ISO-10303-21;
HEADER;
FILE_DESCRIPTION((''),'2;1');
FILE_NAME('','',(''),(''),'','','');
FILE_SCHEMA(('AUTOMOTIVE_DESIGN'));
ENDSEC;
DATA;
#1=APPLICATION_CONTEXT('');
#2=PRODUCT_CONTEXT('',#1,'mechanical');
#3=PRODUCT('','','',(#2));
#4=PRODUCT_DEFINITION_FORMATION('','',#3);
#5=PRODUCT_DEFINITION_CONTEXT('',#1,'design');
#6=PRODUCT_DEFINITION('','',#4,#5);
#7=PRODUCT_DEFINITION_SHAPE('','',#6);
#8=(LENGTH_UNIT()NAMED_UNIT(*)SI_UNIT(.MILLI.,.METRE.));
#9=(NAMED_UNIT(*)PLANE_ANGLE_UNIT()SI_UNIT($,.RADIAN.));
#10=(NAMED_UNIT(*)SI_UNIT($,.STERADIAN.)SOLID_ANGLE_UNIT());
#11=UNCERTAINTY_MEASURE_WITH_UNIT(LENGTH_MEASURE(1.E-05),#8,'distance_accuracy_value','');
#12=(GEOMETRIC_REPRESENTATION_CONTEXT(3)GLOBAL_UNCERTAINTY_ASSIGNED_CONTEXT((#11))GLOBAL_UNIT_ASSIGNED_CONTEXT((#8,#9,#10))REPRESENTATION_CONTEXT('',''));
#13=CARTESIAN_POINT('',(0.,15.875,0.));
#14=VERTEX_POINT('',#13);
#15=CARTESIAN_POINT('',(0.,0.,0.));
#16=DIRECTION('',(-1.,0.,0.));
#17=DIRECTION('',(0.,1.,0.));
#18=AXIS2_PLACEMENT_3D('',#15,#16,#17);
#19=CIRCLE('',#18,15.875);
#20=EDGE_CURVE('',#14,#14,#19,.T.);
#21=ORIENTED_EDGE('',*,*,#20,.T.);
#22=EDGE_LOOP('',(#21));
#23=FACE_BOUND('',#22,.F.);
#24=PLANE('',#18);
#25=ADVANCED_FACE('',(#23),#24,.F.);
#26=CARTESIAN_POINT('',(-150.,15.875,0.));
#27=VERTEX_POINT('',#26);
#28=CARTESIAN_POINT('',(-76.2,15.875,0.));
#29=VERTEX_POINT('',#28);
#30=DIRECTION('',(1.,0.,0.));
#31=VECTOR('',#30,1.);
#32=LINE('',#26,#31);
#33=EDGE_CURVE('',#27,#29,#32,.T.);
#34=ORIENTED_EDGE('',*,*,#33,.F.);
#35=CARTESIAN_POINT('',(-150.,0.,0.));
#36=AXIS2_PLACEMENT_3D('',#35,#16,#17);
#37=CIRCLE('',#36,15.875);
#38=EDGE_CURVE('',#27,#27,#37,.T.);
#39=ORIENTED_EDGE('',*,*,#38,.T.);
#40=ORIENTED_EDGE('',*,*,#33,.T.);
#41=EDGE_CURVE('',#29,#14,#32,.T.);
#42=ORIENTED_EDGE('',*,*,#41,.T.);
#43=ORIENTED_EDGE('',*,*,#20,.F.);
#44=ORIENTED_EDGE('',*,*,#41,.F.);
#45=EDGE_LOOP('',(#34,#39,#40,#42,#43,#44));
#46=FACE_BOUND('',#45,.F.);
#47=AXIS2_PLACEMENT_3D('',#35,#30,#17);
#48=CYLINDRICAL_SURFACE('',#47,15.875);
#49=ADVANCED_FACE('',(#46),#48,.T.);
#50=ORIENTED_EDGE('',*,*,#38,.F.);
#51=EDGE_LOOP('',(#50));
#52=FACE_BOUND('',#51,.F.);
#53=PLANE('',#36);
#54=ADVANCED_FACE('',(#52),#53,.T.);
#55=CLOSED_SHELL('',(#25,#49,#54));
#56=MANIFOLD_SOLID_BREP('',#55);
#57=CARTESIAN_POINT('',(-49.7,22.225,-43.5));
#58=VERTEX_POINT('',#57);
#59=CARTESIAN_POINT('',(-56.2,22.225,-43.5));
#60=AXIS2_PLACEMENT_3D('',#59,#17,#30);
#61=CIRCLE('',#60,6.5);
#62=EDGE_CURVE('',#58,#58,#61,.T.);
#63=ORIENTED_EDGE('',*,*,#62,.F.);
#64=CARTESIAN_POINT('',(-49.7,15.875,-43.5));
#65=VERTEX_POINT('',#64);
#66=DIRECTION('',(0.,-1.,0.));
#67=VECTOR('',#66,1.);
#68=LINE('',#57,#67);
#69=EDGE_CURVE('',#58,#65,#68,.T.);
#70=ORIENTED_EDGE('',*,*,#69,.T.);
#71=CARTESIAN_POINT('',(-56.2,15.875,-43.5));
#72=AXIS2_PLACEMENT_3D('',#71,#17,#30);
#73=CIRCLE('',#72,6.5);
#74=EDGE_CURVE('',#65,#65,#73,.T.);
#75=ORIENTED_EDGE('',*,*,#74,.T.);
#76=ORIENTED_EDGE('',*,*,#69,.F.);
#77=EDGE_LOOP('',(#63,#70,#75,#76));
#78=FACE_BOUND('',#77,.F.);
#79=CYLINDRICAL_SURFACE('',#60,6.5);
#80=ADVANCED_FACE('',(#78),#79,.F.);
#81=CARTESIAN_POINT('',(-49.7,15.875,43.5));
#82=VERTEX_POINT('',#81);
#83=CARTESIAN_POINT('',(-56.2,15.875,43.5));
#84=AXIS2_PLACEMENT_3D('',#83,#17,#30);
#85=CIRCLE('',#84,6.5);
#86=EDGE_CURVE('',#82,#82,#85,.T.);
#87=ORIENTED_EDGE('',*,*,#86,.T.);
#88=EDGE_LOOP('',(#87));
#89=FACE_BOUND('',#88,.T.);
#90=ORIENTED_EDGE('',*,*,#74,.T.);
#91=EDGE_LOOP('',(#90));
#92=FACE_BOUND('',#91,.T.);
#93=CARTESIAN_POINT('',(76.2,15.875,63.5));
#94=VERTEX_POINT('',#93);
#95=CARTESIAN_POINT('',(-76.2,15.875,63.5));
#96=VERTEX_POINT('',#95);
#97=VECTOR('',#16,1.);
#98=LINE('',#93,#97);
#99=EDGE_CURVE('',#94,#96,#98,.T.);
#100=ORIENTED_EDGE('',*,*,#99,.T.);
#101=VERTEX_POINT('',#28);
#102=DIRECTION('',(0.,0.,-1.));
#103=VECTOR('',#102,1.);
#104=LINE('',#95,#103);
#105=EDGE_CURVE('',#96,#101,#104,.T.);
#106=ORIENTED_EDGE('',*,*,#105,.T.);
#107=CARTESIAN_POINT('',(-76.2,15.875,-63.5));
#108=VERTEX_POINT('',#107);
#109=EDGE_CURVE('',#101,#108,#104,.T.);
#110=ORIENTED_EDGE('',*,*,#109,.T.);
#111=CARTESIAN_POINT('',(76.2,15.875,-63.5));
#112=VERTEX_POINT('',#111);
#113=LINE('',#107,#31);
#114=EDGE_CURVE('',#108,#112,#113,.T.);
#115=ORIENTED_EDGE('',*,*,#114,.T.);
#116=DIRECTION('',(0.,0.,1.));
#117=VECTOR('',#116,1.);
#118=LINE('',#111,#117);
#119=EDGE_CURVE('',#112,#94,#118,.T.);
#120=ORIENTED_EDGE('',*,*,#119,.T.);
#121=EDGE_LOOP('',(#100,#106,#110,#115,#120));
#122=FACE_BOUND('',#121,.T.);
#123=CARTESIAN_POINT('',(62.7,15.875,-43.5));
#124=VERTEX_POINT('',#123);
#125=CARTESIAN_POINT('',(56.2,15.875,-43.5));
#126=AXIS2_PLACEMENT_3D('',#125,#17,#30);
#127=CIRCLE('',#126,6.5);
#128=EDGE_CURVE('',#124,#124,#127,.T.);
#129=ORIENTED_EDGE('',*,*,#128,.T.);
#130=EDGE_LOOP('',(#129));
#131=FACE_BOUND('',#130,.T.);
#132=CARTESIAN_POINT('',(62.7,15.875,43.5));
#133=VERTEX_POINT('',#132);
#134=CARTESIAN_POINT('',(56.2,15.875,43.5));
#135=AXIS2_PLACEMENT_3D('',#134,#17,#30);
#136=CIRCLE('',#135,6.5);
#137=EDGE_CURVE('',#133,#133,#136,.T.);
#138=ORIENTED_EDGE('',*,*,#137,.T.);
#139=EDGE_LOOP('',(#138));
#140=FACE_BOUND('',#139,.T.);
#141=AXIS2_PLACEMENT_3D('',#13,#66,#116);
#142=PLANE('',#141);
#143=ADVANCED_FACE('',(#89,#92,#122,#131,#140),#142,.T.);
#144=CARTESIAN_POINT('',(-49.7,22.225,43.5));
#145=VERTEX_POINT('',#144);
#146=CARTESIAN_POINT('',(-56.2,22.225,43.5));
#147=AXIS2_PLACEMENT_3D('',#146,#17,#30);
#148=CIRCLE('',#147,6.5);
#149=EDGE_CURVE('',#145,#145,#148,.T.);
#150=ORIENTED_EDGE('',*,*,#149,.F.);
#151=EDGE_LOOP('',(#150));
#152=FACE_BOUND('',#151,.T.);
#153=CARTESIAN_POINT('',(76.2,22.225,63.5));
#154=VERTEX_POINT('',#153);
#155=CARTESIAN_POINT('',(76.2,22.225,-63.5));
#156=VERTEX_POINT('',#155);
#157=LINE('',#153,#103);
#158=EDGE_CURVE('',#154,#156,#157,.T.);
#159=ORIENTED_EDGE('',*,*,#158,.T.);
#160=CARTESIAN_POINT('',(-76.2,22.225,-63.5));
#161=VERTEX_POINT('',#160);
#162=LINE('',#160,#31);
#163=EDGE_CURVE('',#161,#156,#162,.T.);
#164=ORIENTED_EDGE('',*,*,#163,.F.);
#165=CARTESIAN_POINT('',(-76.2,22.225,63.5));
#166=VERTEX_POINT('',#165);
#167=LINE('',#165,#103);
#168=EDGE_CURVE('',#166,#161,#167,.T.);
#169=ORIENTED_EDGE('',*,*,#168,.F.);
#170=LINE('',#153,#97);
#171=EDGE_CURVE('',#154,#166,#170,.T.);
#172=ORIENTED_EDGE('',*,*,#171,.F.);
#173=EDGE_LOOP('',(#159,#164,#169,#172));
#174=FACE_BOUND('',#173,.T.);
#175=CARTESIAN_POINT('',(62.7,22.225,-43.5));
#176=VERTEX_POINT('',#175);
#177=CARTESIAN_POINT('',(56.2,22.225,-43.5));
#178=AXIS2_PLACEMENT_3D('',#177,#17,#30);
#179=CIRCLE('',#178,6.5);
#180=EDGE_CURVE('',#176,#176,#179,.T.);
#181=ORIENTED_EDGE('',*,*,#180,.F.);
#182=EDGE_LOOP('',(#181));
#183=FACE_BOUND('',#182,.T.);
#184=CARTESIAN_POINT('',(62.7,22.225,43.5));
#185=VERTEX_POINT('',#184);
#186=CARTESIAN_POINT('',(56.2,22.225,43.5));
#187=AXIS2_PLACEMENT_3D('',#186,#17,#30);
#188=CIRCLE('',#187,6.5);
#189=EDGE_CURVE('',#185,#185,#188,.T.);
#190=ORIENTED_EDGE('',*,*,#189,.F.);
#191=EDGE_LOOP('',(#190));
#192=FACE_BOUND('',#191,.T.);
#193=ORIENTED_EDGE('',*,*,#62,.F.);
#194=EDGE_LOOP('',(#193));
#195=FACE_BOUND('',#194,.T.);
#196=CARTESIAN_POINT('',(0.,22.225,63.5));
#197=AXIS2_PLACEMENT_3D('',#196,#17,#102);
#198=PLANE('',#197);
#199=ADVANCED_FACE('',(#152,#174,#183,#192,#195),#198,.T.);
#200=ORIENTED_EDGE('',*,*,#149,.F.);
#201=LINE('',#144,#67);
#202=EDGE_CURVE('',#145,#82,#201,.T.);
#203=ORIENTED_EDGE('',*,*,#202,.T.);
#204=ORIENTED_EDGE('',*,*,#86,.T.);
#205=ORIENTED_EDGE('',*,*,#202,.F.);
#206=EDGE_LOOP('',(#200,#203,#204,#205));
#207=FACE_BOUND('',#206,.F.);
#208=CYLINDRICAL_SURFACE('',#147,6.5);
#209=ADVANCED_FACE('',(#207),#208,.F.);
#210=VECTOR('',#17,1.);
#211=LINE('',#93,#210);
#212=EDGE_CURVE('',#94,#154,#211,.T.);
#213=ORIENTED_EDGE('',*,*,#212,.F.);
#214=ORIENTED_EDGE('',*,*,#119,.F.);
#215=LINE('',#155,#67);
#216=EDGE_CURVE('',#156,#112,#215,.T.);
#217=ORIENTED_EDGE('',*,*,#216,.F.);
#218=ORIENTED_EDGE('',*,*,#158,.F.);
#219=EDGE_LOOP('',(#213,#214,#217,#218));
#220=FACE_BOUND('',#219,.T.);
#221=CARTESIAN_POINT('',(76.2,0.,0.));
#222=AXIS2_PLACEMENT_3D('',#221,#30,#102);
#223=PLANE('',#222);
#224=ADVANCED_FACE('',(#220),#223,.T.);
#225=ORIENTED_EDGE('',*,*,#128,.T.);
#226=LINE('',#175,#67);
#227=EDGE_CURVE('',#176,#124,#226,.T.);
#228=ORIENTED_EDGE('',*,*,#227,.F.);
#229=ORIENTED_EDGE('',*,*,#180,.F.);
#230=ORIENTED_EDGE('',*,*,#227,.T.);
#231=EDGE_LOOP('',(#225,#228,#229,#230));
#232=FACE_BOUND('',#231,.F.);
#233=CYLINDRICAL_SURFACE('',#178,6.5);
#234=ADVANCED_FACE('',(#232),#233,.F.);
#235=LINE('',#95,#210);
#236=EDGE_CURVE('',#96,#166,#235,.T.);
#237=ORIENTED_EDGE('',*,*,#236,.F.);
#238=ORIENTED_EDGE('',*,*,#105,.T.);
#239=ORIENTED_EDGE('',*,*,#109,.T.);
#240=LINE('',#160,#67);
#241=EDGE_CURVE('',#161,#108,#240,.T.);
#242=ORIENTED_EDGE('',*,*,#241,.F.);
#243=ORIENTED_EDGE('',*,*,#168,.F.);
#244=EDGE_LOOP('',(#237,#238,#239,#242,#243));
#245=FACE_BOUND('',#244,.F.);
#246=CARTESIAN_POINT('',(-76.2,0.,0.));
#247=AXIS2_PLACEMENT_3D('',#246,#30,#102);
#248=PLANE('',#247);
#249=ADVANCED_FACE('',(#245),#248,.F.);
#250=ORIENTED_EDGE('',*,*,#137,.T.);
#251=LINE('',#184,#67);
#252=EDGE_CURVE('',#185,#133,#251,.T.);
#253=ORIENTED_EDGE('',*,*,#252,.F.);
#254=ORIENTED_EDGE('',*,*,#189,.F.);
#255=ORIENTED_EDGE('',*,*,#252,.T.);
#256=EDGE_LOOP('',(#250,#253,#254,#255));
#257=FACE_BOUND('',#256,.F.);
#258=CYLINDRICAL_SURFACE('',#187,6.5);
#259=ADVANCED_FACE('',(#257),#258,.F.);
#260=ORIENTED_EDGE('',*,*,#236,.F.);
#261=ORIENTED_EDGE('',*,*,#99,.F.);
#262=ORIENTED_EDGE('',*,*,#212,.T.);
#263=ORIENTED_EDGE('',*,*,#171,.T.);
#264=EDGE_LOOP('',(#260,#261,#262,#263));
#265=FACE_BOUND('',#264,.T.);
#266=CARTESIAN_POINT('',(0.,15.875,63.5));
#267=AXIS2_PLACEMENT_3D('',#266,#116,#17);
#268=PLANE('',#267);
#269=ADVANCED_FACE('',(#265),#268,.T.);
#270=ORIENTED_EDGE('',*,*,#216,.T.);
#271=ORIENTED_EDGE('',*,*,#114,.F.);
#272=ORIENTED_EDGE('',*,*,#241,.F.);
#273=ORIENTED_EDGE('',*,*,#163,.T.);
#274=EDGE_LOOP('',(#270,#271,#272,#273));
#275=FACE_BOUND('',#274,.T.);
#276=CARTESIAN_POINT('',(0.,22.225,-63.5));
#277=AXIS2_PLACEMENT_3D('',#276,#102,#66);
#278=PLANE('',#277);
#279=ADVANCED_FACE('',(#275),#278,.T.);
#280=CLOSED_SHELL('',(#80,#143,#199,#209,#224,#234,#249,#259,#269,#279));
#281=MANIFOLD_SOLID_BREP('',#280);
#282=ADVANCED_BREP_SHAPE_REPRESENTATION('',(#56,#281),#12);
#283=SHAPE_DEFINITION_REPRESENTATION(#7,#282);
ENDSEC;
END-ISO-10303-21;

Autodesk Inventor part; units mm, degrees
ref_plane "YZ Plane" through (0, 0, 0) normal (1, 0, 0) x (0, 1, 0)
ref_plane "XZ Plane" through (0, 0, 0) normal (0, 1, 0) x (-1, 0, 0)
ref_plane "XY Plane" through (0, 0, 0) normal (0, 0, 1) x (1, 0, 0)
sketch "Sketch1" plane through (0, 0, 0) normal (0, 0, 1) x (1, 0, 0)
  line L0 (0, 0) -> (-150, 0)
  line L1 (-150, 0) -> (-150, 15.875)
  line L2 (-150, 15.875) -> (0, 15.875)
  line L3 (0, 15.875) -> (0, 0)
  dimension "d0" = 150
  dimension "d1" = 15.875
revolve "Revolution1" add sketch "Sketch1" angle 360 about axis through (0, 0, 0) along (-1, 0, 0)
sketch "Sketch2" plane through (0, 0, 0) normal (1, 0, 0) x (0, 0, -1)
  circle A0 centre (0, 0) radius 15.875 projected
  line L0 (0, 15.875) -> (-63.5, 15.875)
  line L1 (0, 15.875) -> (63.5, 15.875)
  line L2 (0, 15.875) -> (-63.5, 15.875) construction
  line L3 (0, 15.875) -> (63.5, 15.875) construction
  line L4 (-63.5, 15.875) -> (-63.5, 22.225)
  line L5 (-63.5, 22.225) -> (63.5, 22.225)
  line L6 (63.5, 22.225) -> (63.5, 15.875)
  dimension "d3" = 63.5
  dimension "d5" = 6.35
extrude "Extrusion1" add sketch "Sketch2" along normal mid plane 152.4 contours L0 L4 L5 L6 L1
sketch "Sketch3" plane through (-76.2, 22.225, 63.5) normal (0, 1, 0) x (1, 0, 0)
  circle A0 centre (20, 107) radius 6.5
  circle A1 centre (132.4, 107) radius 6.5
  circle A2 centre (132.4, 20) radius 6.5
  circle A3 centre (20, 20) radius 6.5
  line L0 (0, 0) -> (0, 127) projected
  line L1 (0, 127) -> (152.4, 127) projected
  line L2 (20, 107) -> (0, 107) construction
  line L3 (20, 107) -> (20, 127) construction
  line L4 (152.4, 127) -> (0, 127) construction
  line L5 (132.4, 107) -> (132.4, 127) construction
  line L6 (132.4, 107) -> (152.4, 107) construction
  line L7 (152.4, 127) -> (152.4, 0) construction
  line L8 (20, 20) -> (0, 20) construction
  line L9 (20, 20) -> (20, 0) construction
  line L10 (0, 0) -> (152.4, 0) construction
  line L11 (132.4, 20) -> (152.4, 20) construction
  line L12 (132.4, 20) -> (132.4, 0) construction
  point P0 (76.2, 63.5)
  dimension "d8" = 13
  dimension "d9" = 13
  dimension "d10" = 13
  dimension "d11" = 13
  dimension "d16" = 20
extrude "Extrusion2" cut sketch "Sketch3" against normal through all
properties part number "Spindle"
